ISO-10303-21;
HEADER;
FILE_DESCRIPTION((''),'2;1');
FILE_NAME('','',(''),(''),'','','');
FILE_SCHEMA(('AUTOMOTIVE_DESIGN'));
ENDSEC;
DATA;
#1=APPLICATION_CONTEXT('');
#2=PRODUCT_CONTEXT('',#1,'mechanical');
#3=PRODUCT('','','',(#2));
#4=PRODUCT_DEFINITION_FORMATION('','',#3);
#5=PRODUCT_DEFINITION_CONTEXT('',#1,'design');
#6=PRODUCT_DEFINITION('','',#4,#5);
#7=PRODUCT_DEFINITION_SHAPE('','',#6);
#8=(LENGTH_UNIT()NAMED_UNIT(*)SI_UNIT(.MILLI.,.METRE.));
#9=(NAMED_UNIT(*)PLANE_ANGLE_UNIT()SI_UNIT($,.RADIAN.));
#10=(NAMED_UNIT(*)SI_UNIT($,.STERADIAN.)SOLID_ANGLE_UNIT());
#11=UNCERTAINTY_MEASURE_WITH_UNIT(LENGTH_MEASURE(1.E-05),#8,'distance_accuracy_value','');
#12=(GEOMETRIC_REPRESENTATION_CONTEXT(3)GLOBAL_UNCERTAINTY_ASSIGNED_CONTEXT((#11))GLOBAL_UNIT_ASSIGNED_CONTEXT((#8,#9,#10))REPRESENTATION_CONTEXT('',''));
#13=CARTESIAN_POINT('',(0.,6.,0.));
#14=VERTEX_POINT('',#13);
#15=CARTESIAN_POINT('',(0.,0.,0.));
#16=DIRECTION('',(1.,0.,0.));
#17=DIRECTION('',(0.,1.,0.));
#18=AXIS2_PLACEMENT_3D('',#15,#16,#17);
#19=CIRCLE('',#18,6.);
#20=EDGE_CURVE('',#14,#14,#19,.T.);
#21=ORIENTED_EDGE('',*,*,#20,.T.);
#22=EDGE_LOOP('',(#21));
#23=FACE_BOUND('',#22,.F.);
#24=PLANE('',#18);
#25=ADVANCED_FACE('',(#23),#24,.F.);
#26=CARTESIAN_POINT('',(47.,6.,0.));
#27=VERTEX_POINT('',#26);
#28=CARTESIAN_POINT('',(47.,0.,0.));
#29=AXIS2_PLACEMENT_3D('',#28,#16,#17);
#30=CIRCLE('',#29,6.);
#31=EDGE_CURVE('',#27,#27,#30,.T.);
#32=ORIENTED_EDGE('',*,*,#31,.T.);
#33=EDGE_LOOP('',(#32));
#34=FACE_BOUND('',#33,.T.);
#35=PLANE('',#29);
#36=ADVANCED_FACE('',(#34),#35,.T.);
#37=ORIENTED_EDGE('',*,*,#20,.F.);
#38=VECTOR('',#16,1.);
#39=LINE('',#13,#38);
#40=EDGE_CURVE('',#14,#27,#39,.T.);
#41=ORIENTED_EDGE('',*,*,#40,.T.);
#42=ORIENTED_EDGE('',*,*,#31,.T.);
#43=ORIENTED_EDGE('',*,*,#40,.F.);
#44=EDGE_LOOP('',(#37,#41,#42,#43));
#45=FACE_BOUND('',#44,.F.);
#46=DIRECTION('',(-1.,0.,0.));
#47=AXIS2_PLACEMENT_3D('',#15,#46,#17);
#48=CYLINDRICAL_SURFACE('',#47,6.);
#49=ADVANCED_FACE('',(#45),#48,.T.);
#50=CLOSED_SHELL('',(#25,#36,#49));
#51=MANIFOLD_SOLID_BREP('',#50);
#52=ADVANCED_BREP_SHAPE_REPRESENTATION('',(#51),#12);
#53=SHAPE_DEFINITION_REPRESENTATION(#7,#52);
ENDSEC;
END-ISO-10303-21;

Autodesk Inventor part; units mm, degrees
ref_plane "YZ Plane" through (0, 0, 0) normal (1, 0, 0) x (0, 1, 0)
ref_plane "XZ Plane" through (0, 0, 0) normal (0, 1, 0) x (-1, 0, 0)
ref_plane "XY Plane" through (0, 0, 0) normal (0, 0, 1) x (1, 0, 0)
sketch "スケッチ1" plane through (0, 0, 0) normal (1, 0, 0) x (0, 1, 0)
  circle A0 centre (0, 0) radius 6
  dimension "d0" = 12
extrude "押し出し1" add sketch "スケッチ1" along normal blind 47
properties part number "dribl-v1-Shaft-1" material "アルミニウム 6061"
